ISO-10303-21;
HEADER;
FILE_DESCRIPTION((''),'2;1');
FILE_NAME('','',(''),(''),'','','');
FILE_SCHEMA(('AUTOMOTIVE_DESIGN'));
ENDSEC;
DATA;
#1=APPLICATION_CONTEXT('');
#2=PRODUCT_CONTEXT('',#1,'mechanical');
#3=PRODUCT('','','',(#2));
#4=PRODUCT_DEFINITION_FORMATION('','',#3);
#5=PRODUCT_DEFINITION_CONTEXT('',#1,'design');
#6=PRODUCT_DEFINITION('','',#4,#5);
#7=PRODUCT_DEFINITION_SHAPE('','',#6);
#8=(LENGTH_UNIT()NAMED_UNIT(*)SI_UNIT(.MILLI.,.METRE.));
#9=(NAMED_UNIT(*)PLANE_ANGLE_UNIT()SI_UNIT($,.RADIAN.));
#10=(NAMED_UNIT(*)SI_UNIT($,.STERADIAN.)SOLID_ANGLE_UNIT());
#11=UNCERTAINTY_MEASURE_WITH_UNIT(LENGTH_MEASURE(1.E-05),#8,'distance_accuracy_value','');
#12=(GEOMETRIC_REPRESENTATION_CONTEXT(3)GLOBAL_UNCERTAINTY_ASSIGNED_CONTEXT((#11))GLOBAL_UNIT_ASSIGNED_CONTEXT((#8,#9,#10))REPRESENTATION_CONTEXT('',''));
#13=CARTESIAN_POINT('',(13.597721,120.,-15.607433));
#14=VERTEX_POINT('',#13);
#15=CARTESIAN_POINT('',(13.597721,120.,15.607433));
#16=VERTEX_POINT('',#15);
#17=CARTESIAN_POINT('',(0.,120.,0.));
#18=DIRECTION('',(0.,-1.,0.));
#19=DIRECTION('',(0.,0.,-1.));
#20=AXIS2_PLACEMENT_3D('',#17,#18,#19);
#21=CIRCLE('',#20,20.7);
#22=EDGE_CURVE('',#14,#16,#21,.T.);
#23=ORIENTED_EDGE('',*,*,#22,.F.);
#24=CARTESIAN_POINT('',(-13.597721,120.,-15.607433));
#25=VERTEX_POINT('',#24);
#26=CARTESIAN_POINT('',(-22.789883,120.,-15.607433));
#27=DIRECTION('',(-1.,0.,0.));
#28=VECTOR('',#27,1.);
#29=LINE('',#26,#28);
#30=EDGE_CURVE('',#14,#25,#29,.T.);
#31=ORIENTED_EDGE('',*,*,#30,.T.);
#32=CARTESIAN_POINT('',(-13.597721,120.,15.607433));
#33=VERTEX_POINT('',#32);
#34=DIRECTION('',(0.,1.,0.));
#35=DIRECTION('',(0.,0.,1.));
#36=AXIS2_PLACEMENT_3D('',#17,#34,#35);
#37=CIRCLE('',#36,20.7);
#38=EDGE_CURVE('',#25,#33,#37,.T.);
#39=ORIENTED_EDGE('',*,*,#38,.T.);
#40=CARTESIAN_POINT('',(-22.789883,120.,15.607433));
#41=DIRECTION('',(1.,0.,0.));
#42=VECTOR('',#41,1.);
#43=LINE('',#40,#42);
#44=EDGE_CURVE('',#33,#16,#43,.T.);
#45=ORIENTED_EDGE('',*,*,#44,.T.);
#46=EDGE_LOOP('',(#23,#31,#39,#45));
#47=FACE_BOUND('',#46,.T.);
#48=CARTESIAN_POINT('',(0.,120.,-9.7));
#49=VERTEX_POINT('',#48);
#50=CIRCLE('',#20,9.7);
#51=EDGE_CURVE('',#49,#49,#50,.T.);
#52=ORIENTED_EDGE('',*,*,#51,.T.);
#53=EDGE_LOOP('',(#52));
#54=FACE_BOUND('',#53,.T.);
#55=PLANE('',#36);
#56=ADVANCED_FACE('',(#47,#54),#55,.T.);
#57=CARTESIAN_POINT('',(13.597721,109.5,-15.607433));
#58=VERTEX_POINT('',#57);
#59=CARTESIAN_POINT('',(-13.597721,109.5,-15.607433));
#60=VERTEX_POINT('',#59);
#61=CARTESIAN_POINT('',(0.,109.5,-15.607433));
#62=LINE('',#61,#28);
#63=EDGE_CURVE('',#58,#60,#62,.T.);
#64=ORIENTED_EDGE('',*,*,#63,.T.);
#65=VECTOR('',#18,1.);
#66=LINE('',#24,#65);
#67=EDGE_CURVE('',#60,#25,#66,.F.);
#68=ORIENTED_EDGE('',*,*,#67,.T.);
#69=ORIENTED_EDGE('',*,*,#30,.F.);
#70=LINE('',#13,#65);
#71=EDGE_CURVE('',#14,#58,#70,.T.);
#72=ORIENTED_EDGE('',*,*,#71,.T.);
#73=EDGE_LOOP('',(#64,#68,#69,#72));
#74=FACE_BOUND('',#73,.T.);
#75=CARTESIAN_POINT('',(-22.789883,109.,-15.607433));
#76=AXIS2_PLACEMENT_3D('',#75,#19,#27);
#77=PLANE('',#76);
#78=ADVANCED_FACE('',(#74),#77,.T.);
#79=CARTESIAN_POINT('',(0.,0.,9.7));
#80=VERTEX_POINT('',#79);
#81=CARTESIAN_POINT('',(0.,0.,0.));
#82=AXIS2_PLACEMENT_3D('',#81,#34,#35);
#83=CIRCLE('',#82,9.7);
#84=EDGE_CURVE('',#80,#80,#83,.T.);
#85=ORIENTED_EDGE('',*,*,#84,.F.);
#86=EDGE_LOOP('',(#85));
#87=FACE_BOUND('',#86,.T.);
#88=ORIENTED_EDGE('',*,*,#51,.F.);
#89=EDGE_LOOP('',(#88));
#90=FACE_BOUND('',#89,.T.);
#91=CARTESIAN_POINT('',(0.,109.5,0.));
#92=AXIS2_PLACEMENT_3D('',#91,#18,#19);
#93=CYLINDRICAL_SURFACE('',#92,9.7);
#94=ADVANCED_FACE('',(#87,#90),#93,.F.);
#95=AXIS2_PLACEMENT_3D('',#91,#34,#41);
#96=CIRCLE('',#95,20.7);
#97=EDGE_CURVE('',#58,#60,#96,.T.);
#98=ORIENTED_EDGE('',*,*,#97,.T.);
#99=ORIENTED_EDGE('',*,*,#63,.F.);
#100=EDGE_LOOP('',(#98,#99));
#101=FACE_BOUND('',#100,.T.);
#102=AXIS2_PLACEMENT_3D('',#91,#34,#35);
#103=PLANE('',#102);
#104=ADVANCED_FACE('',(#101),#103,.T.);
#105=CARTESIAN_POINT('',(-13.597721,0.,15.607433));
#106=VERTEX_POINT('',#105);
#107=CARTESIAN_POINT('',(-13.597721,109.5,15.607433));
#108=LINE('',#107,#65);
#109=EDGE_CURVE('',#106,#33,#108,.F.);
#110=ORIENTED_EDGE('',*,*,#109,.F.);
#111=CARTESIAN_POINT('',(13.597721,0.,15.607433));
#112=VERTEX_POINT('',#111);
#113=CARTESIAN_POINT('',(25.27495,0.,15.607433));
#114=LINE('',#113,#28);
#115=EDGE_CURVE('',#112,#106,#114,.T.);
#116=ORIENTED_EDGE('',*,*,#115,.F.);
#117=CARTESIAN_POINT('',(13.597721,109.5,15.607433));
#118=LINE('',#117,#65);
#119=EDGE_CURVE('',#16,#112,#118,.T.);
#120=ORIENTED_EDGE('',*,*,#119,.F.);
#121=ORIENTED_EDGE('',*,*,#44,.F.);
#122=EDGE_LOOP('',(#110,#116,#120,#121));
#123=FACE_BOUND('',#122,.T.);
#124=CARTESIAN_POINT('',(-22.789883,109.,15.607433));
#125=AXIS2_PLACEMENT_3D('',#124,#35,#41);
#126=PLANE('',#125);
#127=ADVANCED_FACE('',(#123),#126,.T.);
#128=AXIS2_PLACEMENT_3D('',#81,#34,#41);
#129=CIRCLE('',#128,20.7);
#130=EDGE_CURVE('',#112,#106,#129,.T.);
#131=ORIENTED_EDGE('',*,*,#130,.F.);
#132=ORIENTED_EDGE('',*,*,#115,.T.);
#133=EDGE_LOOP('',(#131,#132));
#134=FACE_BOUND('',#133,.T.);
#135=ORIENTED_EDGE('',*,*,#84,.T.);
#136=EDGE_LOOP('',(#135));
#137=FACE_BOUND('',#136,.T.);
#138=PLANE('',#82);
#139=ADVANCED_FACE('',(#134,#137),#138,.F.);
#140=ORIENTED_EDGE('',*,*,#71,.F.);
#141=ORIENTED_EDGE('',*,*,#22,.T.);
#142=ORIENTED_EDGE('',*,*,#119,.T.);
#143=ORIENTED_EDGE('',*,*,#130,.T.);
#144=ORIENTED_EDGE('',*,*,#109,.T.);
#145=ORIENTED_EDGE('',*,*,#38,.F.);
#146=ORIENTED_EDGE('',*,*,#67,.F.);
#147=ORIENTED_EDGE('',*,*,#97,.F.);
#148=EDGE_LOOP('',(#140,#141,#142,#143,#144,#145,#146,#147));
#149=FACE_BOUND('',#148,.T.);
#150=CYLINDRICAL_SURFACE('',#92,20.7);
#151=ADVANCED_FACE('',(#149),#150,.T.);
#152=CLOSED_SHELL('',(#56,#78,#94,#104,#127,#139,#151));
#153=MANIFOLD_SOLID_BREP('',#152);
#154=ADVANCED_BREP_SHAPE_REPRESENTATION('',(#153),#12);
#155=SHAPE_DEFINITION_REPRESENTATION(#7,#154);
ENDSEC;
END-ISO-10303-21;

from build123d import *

# Parameters (mm, degrees)
SKETCH_1_R             = 20.7
SKETCH_1_R_2           = 9.7
EXTRUDE_1_DEPTH        = 109.5
EXTRUDE_1_2_DEPTH      = 10
EXTRUDE_1_2_DEPTH_BACK = 1
SKETCH_2_W             = 45.579766756
SKETCH_2_H             = 31.21486686
SKETCH_3_R             = 9.7
CUT_EXTRUDE_1_DEPTH    = 124.886515749
SKETCH_4_W             = 48.064833826
SKETCH_4_H             = 7.030921468
CUT_EXTRUDE_2_DEPTH    = 114.745851724
SKETCH_5_R             = 31.7
SKETCH_5_R_2           = 20.7
CUT_EXTRUDE_1_2_DEPTH  = 124.886515749


with BuildPart() as part:
    # 草圖1 → Extrude 1 (new body)
    with BuildSketch(Plane(origin=(0, 0, 0), x_dir=(1, 0, 0), z_dir=(0, 1, 0))):
        Circle(SKETCH_1_R)
        Circle(SKETCH_1_R_2, mode=Mode.SUBTRACT)
    extrude(amount=EXTRUDE_1_DEPTH)

    # 草圖2 → Extrude 1 2 (add, two sides: drawn at the far end of the back side and taken through both)
    with BuildSketch(Plane(origin=(0, 110, 0), x_dir=(1, 0, 0), z_dir=(0, 1, 0)).offset(-EXTRUDE_1_2_DEPTH_BACK)):
        Rectangle(SKETCH_2_W, SKETCH_2_H)
    extrude(amount=EXTRUDE_1_2_DEPTH + EXTRUDE_1_2_DEPTH_BACK)

    # 草圖3 → Cut-Extrude 1 (cut, through all)
    with BuildSketch(Plane.XZ):
        with Locations(Location((0, 0, 0), (0, 0, 270))):
            Circle(SKETCH_3_R)
    extrude(amount=-CUT_EXTRUDE_1_DEPTH, mode=Mode.SUBTRACT)

    # 草圖4 → 除料-伸長2 (cut, through all)
    with BuildSketch(Plane(origin=(0, 109.5, 0), x_dir=(1, 0, 0), z_dir=(0, 1, 0))):
        with Locations((1.242533535, -19.122894164)):
            Rectangle(SKETCH_4_W, SKETCH_4_H)
    extrude(amount=-CUT_EXTRUDE_2_DEPTH, mode=Mode.SUBTRACT)

    # 草圖5 → Cut-Extrude 1 2 (cut, through all)
    with BuildSketch(Plane.XZ):
        Circle(SKETCH_5_R)
        Circle(SKETCH_5_R_2, mode=Mode.SUBTRACT)
    extrude(amount=-CUT_EXTRUDE_1_2_DEPTH, mode=Mode.SUBTRACT)


solid = part.part
